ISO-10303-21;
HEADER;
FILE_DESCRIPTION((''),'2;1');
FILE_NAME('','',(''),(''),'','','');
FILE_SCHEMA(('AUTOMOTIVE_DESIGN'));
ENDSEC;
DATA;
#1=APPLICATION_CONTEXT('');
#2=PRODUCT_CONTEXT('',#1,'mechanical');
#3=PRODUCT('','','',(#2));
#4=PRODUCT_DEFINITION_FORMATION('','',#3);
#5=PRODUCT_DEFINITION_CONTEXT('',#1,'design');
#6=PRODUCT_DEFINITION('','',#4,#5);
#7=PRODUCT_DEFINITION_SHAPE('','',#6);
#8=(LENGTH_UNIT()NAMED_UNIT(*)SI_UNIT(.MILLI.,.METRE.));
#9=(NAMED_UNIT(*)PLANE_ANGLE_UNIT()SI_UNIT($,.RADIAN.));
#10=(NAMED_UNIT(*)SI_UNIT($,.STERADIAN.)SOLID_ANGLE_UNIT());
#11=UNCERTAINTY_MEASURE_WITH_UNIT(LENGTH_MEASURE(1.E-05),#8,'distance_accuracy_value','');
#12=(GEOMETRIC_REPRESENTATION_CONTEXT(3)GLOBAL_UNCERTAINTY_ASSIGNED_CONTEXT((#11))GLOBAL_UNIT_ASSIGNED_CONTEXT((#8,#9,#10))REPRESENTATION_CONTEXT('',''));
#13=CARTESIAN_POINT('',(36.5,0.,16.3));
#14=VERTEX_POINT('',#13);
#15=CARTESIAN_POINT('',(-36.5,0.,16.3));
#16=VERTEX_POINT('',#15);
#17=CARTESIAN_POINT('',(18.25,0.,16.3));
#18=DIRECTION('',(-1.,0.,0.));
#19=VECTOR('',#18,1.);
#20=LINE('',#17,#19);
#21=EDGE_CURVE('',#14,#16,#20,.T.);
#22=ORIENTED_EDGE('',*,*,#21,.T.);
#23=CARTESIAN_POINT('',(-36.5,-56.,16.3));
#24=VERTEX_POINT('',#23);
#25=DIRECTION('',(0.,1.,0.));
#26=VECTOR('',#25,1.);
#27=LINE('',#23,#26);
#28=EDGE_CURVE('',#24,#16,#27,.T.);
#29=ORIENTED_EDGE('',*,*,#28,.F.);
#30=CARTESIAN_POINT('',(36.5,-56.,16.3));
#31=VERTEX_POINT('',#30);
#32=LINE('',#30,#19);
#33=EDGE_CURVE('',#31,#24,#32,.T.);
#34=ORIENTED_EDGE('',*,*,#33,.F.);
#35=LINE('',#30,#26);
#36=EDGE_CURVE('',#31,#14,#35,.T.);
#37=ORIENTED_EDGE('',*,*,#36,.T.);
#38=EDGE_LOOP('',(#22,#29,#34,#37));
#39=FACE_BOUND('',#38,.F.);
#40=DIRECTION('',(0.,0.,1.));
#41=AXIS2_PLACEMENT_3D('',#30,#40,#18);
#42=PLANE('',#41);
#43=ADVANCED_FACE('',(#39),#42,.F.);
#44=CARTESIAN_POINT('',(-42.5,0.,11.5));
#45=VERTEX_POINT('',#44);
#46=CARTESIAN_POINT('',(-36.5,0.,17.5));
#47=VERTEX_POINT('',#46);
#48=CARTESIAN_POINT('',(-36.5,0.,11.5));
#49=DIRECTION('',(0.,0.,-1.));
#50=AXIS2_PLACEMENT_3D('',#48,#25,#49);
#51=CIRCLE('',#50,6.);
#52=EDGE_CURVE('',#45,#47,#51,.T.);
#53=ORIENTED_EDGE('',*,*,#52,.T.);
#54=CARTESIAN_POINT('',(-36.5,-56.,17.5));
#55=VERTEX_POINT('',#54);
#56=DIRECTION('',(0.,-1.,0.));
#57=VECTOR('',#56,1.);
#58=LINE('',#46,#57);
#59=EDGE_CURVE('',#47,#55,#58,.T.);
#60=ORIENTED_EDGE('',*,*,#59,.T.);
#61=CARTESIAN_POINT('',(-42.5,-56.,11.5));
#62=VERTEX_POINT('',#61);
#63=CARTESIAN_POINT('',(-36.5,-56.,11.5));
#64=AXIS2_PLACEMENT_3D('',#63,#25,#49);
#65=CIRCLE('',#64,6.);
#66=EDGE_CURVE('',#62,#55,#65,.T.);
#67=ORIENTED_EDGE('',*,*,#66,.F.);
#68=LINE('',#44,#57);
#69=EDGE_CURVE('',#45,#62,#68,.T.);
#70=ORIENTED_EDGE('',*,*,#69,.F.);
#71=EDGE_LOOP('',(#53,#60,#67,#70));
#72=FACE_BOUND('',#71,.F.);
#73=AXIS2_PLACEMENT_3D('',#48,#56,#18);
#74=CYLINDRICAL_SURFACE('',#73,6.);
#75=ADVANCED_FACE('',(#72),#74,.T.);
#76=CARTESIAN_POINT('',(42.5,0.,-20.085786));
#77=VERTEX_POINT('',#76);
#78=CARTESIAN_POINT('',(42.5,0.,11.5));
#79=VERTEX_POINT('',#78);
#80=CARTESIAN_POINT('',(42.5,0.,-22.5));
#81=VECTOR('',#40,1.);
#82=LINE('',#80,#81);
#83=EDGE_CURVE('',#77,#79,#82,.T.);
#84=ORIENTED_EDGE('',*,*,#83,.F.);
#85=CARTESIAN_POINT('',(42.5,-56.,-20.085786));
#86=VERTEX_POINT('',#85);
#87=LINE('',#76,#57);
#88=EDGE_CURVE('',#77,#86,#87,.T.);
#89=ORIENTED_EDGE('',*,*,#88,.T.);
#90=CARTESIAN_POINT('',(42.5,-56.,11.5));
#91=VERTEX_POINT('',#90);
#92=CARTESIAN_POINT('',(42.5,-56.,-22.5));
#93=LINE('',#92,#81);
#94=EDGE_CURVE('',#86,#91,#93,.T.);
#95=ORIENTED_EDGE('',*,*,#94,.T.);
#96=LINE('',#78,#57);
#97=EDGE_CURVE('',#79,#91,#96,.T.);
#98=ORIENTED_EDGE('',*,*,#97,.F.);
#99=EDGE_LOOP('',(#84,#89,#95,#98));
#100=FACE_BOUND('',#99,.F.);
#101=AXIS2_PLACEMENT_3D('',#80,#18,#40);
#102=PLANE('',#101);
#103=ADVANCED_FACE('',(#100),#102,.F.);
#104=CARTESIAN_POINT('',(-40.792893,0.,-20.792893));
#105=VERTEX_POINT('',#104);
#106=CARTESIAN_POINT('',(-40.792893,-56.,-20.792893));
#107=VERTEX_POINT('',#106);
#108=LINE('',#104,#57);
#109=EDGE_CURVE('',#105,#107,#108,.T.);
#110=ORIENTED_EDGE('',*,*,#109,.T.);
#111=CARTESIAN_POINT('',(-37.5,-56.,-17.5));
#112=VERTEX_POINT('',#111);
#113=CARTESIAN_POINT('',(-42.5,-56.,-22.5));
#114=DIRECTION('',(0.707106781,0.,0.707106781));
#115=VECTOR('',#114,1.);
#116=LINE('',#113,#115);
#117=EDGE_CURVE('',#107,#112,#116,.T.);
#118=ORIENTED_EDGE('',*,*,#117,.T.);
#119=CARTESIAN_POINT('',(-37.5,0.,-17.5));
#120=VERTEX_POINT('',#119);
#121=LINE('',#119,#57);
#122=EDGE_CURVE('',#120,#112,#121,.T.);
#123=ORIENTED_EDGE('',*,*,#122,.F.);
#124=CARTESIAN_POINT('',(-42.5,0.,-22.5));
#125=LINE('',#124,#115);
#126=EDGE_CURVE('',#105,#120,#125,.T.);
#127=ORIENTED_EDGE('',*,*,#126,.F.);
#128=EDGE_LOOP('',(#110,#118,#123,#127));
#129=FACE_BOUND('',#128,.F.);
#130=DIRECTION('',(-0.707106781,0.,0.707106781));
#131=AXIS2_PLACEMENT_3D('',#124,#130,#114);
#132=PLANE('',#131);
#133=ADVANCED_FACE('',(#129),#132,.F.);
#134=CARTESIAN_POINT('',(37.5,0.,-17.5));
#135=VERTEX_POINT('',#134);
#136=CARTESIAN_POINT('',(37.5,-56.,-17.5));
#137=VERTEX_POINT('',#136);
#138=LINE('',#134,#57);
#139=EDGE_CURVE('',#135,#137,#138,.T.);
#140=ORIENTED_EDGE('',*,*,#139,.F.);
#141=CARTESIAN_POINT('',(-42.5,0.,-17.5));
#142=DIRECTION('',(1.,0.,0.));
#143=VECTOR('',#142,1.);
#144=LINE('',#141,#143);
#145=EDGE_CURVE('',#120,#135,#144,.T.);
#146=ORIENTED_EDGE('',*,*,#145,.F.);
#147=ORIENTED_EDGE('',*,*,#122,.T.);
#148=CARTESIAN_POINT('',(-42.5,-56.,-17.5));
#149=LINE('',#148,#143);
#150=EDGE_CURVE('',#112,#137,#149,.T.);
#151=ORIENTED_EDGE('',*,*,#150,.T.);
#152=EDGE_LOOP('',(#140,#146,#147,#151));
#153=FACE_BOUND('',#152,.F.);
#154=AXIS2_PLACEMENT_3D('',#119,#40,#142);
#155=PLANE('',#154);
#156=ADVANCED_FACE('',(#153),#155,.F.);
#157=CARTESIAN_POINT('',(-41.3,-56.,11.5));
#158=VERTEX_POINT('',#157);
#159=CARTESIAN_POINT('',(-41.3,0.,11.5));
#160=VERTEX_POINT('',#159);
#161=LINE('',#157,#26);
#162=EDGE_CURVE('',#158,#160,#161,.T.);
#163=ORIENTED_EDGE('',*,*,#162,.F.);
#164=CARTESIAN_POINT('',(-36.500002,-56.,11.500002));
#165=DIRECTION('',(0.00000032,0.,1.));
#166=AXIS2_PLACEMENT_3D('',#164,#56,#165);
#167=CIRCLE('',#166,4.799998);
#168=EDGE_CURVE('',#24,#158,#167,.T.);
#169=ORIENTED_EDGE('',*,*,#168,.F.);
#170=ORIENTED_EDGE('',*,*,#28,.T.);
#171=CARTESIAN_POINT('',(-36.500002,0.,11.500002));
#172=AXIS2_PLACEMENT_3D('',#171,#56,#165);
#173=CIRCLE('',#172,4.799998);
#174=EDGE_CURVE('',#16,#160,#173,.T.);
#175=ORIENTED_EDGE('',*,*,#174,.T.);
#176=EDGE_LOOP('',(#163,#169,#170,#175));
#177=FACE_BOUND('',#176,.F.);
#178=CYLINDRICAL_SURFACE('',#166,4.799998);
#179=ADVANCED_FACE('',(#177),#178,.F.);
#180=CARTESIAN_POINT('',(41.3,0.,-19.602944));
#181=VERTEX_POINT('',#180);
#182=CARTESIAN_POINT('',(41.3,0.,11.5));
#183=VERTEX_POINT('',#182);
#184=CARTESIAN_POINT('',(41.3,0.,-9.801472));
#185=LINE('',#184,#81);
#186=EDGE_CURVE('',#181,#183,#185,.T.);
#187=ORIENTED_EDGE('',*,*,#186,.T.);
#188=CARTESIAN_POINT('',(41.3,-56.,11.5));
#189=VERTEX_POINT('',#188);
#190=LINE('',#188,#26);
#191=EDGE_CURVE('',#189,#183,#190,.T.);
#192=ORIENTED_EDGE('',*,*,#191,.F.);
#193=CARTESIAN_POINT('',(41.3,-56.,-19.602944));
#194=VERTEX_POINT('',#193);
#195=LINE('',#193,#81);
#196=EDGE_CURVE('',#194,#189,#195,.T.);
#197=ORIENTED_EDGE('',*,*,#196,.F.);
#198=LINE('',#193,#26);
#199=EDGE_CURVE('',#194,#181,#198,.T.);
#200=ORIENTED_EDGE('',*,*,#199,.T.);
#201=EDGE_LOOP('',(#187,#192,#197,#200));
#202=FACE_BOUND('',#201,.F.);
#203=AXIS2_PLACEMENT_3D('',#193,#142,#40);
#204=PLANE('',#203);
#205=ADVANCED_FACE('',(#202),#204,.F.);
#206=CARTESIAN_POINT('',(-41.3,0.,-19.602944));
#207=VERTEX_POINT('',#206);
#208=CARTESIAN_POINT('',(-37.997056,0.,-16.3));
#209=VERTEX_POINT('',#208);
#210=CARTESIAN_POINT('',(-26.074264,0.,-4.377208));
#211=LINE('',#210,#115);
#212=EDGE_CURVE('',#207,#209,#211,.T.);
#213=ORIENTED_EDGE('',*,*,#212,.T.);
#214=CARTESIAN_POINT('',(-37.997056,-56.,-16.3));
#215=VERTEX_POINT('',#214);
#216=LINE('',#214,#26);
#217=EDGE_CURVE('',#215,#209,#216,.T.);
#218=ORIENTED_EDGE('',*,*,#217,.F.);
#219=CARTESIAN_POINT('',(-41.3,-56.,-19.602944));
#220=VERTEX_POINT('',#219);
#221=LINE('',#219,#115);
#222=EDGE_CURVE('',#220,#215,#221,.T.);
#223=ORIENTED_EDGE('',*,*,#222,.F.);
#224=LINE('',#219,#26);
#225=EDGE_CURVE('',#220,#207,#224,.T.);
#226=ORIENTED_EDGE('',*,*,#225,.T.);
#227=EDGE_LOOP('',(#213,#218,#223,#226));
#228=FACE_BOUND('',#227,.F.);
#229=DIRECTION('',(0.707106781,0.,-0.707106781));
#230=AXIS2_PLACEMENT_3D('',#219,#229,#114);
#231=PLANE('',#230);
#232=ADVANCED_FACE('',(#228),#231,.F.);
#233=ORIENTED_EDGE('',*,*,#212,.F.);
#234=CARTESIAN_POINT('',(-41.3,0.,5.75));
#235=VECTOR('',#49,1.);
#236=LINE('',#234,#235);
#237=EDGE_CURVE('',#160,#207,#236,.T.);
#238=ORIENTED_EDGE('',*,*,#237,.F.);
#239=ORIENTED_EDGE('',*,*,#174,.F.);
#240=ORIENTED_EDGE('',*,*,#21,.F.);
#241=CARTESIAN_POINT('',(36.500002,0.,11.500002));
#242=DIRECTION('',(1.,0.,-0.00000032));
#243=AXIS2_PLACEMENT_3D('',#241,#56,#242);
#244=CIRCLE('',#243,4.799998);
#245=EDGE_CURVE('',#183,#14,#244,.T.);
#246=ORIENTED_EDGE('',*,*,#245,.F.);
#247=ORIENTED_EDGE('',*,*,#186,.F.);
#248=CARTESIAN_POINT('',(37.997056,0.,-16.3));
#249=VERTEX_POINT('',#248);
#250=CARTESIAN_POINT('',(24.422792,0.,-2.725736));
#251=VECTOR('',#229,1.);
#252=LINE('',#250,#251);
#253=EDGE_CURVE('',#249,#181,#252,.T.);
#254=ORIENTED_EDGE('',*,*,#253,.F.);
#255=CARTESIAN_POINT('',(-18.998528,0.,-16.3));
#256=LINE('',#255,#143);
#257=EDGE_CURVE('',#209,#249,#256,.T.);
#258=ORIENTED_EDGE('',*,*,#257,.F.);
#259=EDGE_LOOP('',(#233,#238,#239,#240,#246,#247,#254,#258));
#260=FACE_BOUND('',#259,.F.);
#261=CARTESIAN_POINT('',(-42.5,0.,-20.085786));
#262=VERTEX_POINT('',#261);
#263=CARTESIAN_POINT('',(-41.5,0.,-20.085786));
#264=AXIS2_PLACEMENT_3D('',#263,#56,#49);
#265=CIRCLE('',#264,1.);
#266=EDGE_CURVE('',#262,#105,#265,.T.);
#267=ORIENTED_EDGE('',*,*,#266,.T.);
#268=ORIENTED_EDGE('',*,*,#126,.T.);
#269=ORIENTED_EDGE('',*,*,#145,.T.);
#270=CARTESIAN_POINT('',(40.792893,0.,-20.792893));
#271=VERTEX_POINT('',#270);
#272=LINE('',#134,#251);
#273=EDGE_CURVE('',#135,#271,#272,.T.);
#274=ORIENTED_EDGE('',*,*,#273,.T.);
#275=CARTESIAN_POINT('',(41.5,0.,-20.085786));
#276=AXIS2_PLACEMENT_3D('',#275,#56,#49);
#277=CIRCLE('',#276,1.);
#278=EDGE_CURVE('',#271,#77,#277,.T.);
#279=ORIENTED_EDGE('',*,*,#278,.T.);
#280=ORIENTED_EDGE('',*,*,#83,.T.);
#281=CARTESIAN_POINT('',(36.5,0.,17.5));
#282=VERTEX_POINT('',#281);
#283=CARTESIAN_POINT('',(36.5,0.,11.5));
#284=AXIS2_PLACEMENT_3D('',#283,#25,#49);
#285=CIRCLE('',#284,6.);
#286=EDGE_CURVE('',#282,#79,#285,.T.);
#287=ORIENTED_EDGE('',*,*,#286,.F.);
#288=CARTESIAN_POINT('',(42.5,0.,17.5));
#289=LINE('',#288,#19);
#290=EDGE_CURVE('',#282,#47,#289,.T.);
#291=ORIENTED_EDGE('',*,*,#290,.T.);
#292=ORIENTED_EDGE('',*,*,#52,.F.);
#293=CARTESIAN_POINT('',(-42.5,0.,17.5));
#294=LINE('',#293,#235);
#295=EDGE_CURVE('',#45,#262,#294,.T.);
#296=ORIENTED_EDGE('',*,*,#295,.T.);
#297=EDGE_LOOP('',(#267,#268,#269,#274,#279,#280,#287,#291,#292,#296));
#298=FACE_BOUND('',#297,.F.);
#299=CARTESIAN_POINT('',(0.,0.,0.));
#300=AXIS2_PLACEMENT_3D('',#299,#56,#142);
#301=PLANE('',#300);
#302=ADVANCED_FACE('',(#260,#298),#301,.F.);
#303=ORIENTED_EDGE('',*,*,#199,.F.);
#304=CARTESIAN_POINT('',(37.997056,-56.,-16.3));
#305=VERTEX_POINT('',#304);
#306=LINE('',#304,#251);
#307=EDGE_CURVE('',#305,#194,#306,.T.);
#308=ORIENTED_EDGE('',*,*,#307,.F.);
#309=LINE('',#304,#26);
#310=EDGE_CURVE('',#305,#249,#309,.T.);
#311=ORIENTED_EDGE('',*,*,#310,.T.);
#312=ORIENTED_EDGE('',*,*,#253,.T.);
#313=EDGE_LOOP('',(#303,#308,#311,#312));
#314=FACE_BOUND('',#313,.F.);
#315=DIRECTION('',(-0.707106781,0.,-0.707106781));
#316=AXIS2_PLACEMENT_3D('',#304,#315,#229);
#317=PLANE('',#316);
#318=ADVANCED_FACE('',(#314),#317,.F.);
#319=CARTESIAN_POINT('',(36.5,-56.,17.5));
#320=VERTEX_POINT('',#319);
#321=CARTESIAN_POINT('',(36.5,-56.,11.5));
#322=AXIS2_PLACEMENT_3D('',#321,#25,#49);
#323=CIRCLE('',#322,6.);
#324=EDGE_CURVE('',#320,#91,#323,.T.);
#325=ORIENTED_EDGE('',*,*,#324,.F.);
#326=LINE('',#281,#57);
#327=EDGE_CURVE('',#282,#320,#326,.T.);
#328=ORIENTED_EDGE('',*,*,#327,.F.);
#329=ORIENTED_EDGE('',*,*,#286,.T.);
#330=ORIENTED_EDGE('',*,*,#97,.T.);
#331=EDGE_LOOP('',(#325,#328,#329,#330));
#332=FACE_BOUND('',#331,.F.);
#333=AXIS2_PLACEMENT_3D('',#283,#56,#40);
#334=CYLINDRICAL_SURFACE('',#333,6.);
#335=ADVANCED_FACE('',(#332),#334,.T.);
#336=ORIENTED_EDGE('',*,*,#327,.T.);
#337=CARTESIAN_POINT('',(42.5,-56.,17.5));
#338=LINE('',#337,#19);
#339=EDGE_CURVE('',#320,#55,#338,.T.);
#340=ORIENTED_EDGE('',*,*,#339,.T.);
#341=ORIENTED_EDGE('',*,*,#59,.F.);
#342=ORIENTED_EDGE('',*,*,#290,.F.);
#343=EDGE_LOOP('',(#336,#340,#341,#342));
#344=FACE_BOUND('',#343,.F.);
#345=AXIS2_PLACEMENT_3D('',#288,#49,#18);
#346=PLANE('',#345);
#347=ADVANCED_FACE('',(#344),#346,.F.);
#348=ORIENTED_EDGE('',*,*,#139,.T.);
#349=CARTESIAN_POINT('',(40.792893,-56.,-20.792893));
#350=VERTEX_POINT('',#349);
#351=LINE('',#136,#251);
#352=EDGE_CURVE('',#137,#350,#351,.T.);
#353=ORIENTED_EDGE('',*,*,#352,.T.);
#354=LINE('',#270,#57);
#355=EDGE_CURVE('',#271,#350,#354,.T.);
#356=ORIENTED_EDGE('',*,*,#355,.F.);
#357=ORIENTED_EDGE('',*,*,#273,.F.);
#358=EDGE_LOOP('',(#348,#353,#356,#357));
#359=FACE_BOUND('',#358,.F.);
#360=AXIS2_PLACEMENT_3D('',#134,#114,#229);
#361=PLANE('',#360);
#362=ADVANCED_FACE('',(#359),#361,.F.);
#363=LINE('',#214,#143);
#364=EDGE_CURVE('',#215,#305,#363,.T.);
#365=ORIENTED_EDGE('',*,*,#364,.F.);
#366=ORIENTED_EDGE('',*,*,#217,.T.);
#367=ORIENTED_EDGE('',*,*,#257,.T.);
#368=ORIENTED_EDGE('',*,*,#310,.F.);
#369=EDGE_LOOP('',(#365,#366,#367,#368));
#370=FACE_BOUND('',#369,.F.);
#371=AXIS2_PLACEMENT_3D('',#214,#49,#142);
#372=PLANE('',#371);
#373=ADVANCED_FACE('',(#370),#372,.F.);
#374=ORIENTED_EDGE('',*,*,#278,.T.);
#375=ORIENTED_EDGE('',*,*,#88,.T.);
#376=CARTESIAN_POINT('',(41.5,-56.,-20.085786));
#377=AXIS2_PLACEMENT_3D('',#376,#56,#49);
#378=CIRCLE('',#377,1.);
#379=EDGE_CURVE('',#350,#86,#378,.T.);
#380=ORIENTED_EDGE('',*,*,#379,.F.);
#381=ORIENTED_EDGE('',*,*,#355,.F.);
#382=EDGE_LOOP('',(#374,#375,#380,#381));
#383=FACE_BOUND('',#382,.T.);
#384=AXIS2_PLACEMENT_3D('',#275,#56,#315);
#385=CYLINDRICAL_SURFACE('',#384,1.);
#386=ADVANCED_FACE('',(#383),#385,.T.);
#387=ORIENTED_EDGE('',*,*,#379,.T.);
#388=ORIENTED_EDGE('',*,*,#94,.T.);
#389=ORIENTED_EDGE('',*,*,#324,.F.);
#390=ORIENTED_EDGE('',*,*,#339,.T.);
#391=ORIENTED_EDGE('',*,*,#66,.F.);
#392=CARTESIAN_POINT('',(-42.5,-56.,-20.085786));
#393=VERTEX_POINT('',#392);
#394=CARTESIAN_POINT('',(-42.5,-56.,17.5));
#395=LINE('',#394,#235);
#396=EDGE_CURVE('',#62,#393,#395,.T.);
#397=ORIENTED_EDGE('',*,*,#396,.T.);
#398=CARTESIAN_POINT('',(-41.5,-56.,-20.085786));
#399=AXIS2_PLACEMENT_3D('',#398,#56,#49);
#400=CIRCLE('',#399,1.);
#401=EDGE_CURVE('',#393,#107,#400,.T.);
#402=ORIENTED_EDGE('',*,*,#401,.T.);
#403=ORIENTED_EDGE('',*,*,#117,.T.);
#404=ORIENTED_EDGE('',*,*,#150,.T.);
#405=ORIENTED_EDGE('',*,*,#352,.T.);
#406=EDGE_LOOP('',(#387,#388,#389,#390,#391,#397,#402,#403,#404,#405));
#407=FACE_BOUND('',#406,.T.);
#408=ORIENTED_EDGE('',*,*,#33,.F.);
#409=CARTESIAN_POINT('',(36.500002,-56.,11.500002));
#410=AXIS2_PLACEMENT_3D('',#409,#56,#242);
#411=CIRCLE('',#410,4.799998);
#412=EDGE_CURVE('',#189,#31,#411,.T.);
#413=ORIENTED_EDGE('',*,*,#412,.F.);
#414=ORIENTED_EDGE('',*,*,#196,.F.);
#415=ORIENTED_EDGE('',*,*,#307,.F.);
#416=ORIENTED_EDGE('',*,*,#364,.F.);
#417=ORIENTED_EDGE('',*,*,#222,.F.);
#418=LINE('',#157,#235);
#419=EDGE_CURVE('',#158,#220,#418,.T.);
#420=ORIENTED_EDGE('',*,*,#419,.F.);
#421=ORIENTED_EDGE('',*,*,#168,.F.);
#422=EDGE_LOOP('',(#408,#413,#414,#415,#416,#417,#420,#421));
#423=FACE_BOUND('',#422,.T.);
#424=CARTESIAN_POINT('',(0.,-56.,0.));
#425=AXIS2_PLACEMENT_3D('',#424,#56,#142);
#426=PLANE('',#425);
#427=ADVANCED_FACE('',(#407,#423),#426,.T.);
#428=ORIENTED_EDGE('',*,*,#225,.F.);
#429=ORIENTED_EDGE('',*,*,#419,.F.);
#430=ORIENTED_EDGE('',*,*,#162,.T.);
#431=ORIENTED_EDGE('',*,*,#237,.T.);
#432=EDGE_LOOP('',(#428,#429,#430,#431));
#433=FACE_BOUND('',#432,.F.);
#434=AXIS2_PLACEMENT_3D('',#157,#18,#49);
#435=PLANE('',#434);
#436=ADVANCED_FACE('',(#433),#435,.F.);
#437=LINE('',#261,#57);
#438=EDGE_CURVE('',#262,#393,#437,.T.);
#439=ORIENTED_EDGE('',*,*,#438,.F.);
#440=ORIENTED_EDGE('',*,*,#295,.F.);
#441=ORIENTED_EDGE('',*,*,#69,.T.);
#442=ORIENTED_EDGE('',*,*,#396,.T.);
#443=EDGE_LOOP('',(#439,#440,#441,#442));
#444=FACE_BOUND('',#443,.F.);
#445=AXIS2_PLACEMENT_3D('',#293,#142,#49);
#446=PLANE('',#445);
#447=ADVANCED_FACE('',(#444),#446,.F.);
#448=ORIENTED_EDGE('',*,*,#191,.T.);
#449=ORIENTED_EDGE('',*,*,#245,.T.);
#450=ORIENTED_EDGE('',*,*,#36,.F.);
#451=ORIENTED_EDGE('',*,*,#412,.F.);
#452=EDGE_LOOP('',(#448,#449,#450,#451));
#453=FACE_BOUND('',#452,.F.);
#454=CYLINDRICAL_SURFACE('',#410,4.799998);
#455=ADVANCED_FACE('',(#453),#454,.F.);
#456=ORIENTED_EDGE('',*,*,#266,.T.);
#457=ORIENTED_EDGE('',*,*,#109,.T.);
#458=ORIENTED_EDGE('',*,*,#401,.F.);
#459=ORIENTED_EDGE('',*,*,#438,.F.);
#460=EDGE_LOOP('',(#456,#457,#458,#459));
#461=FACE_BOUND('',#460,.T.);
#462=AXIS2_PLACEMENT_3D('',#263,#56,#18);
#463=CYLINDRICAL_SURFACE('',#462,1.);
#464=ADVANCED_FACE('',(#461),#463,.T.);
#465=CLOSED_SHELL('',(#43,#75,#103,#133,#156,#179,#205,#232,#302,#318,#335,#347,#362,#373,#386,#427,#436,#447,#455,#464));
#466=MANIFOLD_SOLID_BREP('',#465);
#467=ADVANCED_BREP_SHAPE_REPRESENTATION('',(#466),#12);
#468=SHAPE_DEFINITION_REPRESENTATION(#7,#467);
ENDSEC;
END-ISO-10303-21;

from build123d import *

# Parameters (mm, degrees)
F1_DEPTH = 56
F2_R     = 1
F3_R     = 6
F5_DEPTH = 99.1


with BuildPart() as f1:
    # F0 (on Front) → F1 (new body)
    with BuildSketch(Plane.XZ):
        Polygon((42.5, 17.5), (-42.5, 17.5), (-42.5, -17.5), (-37.5, -17.5), (37.5, -17.5), (42.5, -17.5), align=None)
        Polygon((-37.5, -17.5), (-42.5, -17.5), (-42.5, -22.5), align=None)
        Polygon((42.5, -22.5), (42.5, -17.5), (37.5, -17.5), align=None)
    extrude(amount=F1_DEPTH)

    # F2
    f2_edges = [f1.edges().sort_by_distance(p)[0] for p in [
        (-42.5, -28, -22.5),
        (42.5, -28, -22.5),
    ]]
    fillet(f2_edges, radius=F2_R)

    # F3
    f3_edges = [f1.edges().sort_by_distance(p)[0] for p in [
        (-42.5, -28, 17.5),
        (42.5, -28, 17.5),
    ]]
    fillet(f3_edges, radius=F3_R)

    # F4 (on face) → F5 (cut)
    with BuildSketch(Plane.XZ.offset(56)):
        with BuildLine():
            Line((-37.997056, -16.3), (37.997056, -16.3))
            Line((37.997056, -16.3), (41.3, -19.602944))
            Line((41.3, -19.602944), (41.3, 11.5))
            ThreePointArc((41.3, 11.5), (39.894113, 14.894113), (36.5, 16.3))
            Line((36.5, 16.3), (-36.5, 16.3))
            ThreePointArc((-36.5, 16.3), (-39.894113, 14.894113), (-41.3, 11.5))
            Line((-41.3, 11.5), (-41.3, -19.602944))
            Line((-41.3, -19.602944), (-37.997056, -16.3))
        make_face()
    extrude(amount=-F5_DEPTH, mode=Mode.SUBTRACT)


solid = f1.part
